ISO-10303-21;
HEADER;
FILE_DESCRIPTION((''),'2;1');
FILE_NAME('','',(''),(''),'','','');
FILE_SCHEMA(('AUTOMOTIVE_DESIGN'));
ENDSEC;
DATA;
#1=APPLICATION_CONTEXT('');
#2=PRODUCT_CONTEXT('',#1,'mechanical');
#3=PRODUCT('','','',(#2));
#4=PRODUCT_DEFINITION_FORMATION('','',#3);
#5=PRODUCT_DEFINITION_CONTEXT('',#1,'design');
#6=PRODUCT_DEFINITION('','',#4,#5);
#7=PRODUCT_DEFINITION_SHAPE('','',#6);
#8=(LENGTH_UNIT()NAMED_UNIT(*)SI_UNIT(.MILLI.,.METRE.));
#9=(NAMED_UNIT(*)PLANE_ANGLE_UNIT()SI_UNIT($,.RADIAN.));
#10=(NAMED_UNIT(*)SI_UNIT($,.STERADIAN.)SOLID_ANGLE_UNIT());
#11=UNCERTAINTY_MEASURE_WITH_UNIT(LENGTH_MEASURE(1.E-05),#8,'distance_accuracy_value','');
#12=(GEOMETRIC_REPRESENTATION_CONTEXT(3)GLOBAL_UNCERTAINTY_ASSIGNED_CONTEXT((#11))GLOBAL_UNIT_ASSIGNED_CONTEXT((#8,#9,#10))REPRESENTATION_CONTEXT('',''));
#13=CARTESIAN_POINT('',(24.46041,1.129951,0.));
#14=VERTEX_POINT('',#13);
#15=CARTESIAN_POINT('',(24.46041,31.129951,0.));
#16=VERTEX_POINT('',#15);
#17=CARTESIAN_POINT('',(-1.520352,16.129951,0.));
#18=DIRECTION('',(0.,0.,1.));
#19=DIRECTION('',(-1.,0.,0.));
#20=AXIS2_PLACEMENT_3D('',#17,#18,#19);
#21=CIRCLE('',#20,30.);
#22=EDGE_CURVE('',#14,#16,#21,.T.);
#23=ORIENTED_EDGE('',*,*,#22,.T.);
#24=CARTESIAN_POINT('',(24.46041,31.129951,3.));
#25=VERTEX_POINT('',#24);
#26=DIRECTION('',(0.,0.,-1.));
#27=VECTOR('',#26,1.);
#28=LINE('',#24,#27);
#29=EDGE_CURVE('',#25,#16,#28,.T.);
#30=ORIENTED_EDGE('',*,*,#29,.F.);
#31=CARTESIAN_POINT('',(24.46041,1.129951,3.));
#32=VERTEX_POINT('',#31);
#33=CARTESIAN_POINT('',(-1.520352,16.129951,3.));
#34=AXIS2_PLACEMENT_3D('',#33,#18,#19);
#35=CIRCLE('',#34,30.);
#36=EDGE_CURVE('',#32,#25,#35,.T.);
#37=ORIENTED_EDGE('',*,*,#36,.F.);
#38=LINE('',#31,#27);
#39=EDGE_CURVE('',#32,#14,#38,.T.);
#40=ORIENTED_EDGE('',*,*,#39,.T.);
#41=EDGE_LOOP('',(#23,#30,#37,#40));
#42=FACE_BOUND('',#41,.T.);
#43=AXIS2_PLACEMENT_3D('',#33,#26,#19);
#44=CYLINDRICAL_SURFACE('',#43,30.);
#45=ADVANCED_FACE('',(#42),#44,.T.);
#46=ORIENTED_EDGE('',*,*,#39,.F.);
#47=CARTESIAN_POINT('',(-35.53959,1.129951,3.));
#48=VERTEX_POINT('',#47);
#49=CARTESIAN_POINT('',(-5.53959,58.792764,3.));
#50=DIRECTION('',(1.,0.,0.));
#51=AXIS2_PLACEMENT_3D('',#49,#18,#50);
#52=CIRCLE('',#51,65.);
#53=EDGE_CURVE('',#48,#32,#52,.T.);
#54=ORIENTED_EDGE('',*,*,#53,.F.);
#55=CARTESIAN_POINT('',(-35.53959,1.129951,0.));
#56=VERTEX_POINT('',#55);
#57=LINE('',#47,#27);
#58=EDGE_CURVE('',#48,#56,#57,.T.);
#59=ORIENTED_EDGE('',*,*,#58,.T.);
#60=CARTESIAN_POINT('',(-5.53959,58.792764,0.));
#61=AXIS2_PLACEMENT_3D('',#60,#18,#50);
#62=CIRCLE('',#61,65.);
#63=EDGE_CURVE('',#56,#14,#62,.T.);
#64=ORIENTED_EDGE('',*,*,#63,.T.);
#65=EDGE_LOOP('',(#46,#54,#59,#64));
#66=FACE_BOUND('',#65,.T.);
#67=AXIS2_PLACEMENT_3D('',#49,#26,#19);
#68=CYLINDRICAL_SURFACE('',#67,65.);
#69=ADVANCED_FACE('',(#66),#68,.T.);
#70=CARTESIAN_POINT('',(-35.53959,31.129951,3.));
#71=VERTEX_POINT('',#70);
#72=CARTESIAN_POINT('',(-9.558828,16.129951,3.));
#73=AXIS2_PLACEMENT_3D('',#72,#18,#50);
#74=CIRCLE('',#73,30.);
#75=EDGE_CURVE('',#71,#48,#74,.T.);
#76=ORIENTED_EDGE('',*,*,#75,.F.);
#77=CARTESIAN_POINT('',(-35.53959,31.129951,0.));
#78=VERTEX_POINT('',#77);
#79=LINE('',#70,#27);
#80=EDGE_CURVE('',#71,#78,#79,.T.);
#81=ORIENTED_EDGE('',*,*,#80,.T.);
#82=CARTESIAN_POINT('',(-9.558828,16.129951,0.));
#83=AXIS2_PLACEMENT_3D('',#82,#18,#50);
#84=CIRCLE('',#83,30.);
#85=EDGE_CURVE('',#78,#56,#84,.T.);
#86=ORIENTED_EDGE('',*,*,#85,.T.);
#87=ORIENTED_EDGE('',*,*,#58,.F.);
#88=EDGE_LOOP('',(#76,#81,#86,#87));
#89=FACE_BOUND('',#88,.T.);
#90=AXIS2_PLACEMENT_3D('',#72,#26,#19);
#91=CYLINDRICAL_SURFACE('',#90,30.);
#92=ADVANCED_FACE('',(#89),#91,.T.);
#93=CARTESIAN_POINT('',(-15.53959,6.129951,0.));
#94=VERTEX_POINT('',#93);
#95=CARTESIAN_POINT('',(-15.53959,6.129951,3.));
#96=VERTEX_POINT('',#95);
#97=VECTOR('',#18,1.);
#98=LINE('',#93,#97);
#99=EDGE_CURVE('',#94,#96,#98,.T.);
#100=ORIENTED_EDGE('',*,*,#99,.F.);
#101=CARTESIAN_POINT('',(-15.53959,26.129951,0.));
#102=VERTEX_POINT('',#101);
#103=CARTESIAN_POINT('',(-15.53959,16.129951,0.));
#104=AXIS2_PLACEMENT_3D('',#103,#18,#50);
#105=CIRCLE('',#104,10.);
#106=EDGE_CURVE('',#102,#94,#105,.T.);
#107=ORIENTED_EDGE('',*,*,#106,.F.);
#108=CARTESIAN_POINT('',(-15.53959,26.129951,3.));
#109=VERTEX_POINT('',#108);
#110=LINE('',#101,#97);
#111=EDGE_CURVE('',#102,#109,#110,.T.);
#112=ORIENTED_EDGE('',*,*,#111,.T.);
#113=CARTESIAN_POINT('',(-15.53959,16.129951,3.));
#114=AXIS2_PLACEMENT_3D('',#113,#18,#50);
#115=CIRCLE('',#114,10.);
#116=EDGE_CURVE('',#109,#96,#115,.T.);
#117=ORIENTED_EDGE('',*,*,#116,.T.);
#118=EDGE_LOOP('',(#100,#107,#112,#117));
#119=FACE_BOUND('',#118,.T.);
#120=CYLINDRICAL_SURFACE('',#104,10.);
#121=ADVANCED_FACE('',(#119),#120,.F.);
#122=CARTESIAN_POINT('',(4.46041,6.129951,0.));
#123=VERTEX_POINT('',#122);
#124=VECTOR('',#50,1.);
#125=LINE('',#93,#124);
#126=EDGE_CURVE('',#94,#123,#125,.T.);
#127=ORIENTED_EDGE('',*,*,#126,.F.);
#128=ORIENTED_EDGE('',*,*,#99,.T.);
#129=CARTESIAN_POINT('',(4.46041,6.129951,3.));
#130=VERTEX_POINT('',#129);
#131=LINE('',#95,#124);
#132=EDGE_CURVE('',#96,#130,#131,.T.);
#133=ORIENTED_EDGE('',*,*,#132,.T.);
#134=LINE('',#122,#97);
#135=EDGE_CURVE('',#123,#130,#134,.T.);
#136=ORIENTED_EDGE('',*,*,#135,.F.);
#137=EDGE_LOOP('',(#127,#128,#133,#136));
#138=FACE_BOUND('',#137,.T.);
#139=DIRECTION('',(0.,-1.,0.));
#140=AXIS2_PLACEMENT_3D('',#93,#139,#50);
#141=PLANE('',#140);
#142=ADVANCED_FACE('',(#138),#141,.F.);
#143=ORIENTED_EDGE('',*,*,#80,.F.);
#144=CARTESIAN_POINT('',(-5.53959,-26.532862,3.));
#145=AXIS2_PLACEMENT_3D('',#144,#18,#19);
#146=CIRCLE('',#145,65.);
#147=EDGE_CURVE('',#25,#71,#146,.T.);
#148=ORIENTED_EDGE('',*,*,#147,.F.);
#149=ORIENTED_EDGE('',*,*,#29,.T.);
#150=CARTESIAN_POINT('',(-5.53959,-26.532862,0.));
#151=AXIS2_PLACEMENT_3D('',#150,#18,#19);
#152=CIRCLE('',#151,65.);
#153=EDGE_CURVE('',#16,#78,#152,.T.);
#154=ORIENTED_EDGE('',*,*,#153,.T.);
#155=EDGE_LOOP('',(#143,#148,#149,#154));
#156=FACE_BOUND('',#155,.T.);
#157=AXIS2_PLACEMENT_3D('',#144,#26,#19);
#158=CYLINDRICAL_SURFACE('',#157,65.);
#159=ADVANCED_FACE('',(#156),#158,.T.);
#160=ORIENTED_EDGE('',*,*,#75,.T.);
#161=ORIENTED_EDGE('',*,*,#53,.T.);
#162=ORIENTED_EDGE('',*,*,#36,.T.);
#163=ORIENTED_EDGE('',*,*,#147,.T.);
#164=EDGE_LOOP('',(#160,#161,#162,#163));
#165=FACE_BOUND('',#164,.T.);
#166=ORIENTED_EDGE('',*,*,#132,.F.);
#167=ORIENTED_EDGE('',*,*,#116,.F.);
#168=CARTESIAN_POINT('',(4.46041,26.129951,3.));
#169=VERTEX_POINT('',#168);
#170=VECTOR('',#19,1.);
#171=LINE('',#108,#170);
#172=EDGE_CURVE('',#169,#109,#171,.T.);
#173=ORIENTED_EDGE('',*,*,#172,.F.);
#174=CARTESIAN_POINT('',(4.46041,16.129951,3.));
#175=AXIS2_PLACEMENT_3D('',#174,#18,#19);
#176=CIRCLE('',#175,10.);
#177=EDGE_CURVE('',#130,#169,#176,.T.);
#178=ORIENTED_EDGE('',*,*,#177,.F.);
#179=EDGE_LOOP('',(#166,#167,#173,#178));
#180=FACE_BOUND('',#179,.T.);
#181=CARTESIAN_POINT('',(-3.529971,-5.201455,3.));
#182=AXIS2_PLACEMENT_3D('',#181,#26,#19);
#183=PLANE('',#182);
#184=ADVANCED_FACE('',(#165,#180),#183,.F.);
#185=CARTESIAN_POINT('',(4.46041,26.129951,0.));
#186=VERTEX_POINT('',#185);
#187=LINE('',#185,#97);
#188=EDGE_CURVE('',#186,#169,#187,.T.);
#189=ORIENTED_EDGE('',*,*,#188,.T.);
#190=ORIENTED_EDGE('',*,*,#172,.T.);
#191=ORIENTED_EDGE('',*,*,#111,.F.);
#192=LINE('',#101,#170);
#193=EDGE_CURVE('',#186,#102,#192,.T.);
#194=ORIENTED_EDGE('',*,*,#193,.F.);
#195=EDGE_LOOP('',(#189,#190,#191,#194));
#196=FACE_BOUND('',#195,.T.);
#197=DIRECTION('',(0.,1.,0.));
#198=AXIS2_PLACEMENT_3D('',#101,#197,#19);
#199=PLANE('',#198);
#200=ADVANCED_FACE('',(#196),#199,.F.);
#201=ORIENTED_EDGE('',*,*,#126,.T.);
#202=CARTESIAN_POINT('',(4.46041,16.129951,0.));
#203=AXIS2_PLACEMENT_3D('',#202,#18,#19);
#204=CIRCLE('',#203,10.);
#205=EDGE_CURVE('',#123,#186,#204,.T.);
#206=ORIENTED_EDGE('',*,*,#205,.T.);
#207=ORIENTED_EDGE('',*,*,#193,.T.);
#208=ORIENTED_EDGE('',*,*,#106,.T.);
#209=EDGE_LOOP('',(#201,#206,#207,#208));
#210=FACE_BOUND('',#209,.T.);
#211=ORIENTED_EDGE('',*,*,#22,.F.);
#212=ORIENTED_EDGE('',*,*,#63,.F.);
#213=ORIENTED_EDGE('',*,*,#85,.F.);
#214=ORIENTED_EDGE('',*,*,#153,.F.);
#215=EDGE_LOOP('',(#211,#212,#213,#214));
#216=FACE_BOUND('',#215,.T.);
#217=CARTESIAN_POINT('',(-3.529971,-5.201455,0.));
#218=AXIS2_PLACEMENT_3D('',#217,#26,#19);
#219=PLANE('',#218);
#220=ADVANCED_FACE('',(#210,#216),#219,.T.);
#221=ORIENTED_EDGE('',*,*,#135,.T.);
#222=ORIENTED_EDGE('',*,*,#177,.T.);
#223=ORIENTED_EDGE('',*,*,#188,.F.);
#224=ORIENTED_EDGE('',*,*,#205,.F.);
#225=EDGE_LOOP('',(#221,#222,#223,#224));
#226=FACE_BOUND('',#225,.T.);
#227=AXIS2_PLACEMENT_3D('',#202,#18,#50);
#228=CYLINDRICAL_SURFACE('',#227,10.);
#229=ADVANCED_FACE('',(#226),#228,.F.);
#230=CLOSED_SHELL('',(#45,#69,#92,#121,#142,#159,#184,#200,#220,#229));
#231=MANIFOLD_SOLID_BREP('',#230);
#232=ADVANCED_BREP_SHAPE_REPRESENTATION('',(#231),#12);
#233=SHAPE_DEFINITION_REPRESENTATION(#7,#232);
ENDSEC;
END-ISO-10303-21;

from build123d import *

# Parameters (mm, degrees)
EXTRUDE_1_DEPTH     = 3
CUT_EXTRUDE_1_DEPTH = 56.259583795


with BuildPart() as part:
    # 草图1 → 凸台-拉伸1 (new body)
    with BuildSketch(Plane.XY):
        with BuildLine():
            ThreePointArc((-35.539590168, 31.129951211), (-39.558828054, 16.129951211), (-35.539590168, 1.129951211))
            ThreePointArc((-35.539590168, 1.129951211), (-5.539590168, -6.207235816), (24.460409832, 1.129951211))
            ThreePointArc((24.460409832, 1.129951211), (28.479647718, 16.129951211), (24.460409832, 31.129951211))
            ThreePointArc((24.460409832, 31.129951211), (-5.539590168, 38.467138237), (-35.539590168, 31.129951211))
        make_face()
    extrude(amount=EXTRUDE_1_DEPTH)

    # 草图2 → 切除-拉伸1 (cut, through all)
    with BuildSketch(Plane.XY.offset(3)):
        with BuildLine():
            Line((-15.539590168, 26.129951211), (4.460409832, 26.129951211))
            ThreePointArc((4.460409832, 26.129951211), (14.460409832, 16.129951211), (4.460409832, 6.129951211))
            Line((4.460409832, 6.129951211), (-15.539590168, 6.129951211))
            ThreePointArc((-15.539590168, 6.129951211), (-25.539590168, 16.129951211), (-15.539590168, 26.129951211))
        make_face()
    extrude(amount=-CUT_EXTRUDE_1_DEPTH, mode=Mode.SUBTRACT)


solid = part.part
